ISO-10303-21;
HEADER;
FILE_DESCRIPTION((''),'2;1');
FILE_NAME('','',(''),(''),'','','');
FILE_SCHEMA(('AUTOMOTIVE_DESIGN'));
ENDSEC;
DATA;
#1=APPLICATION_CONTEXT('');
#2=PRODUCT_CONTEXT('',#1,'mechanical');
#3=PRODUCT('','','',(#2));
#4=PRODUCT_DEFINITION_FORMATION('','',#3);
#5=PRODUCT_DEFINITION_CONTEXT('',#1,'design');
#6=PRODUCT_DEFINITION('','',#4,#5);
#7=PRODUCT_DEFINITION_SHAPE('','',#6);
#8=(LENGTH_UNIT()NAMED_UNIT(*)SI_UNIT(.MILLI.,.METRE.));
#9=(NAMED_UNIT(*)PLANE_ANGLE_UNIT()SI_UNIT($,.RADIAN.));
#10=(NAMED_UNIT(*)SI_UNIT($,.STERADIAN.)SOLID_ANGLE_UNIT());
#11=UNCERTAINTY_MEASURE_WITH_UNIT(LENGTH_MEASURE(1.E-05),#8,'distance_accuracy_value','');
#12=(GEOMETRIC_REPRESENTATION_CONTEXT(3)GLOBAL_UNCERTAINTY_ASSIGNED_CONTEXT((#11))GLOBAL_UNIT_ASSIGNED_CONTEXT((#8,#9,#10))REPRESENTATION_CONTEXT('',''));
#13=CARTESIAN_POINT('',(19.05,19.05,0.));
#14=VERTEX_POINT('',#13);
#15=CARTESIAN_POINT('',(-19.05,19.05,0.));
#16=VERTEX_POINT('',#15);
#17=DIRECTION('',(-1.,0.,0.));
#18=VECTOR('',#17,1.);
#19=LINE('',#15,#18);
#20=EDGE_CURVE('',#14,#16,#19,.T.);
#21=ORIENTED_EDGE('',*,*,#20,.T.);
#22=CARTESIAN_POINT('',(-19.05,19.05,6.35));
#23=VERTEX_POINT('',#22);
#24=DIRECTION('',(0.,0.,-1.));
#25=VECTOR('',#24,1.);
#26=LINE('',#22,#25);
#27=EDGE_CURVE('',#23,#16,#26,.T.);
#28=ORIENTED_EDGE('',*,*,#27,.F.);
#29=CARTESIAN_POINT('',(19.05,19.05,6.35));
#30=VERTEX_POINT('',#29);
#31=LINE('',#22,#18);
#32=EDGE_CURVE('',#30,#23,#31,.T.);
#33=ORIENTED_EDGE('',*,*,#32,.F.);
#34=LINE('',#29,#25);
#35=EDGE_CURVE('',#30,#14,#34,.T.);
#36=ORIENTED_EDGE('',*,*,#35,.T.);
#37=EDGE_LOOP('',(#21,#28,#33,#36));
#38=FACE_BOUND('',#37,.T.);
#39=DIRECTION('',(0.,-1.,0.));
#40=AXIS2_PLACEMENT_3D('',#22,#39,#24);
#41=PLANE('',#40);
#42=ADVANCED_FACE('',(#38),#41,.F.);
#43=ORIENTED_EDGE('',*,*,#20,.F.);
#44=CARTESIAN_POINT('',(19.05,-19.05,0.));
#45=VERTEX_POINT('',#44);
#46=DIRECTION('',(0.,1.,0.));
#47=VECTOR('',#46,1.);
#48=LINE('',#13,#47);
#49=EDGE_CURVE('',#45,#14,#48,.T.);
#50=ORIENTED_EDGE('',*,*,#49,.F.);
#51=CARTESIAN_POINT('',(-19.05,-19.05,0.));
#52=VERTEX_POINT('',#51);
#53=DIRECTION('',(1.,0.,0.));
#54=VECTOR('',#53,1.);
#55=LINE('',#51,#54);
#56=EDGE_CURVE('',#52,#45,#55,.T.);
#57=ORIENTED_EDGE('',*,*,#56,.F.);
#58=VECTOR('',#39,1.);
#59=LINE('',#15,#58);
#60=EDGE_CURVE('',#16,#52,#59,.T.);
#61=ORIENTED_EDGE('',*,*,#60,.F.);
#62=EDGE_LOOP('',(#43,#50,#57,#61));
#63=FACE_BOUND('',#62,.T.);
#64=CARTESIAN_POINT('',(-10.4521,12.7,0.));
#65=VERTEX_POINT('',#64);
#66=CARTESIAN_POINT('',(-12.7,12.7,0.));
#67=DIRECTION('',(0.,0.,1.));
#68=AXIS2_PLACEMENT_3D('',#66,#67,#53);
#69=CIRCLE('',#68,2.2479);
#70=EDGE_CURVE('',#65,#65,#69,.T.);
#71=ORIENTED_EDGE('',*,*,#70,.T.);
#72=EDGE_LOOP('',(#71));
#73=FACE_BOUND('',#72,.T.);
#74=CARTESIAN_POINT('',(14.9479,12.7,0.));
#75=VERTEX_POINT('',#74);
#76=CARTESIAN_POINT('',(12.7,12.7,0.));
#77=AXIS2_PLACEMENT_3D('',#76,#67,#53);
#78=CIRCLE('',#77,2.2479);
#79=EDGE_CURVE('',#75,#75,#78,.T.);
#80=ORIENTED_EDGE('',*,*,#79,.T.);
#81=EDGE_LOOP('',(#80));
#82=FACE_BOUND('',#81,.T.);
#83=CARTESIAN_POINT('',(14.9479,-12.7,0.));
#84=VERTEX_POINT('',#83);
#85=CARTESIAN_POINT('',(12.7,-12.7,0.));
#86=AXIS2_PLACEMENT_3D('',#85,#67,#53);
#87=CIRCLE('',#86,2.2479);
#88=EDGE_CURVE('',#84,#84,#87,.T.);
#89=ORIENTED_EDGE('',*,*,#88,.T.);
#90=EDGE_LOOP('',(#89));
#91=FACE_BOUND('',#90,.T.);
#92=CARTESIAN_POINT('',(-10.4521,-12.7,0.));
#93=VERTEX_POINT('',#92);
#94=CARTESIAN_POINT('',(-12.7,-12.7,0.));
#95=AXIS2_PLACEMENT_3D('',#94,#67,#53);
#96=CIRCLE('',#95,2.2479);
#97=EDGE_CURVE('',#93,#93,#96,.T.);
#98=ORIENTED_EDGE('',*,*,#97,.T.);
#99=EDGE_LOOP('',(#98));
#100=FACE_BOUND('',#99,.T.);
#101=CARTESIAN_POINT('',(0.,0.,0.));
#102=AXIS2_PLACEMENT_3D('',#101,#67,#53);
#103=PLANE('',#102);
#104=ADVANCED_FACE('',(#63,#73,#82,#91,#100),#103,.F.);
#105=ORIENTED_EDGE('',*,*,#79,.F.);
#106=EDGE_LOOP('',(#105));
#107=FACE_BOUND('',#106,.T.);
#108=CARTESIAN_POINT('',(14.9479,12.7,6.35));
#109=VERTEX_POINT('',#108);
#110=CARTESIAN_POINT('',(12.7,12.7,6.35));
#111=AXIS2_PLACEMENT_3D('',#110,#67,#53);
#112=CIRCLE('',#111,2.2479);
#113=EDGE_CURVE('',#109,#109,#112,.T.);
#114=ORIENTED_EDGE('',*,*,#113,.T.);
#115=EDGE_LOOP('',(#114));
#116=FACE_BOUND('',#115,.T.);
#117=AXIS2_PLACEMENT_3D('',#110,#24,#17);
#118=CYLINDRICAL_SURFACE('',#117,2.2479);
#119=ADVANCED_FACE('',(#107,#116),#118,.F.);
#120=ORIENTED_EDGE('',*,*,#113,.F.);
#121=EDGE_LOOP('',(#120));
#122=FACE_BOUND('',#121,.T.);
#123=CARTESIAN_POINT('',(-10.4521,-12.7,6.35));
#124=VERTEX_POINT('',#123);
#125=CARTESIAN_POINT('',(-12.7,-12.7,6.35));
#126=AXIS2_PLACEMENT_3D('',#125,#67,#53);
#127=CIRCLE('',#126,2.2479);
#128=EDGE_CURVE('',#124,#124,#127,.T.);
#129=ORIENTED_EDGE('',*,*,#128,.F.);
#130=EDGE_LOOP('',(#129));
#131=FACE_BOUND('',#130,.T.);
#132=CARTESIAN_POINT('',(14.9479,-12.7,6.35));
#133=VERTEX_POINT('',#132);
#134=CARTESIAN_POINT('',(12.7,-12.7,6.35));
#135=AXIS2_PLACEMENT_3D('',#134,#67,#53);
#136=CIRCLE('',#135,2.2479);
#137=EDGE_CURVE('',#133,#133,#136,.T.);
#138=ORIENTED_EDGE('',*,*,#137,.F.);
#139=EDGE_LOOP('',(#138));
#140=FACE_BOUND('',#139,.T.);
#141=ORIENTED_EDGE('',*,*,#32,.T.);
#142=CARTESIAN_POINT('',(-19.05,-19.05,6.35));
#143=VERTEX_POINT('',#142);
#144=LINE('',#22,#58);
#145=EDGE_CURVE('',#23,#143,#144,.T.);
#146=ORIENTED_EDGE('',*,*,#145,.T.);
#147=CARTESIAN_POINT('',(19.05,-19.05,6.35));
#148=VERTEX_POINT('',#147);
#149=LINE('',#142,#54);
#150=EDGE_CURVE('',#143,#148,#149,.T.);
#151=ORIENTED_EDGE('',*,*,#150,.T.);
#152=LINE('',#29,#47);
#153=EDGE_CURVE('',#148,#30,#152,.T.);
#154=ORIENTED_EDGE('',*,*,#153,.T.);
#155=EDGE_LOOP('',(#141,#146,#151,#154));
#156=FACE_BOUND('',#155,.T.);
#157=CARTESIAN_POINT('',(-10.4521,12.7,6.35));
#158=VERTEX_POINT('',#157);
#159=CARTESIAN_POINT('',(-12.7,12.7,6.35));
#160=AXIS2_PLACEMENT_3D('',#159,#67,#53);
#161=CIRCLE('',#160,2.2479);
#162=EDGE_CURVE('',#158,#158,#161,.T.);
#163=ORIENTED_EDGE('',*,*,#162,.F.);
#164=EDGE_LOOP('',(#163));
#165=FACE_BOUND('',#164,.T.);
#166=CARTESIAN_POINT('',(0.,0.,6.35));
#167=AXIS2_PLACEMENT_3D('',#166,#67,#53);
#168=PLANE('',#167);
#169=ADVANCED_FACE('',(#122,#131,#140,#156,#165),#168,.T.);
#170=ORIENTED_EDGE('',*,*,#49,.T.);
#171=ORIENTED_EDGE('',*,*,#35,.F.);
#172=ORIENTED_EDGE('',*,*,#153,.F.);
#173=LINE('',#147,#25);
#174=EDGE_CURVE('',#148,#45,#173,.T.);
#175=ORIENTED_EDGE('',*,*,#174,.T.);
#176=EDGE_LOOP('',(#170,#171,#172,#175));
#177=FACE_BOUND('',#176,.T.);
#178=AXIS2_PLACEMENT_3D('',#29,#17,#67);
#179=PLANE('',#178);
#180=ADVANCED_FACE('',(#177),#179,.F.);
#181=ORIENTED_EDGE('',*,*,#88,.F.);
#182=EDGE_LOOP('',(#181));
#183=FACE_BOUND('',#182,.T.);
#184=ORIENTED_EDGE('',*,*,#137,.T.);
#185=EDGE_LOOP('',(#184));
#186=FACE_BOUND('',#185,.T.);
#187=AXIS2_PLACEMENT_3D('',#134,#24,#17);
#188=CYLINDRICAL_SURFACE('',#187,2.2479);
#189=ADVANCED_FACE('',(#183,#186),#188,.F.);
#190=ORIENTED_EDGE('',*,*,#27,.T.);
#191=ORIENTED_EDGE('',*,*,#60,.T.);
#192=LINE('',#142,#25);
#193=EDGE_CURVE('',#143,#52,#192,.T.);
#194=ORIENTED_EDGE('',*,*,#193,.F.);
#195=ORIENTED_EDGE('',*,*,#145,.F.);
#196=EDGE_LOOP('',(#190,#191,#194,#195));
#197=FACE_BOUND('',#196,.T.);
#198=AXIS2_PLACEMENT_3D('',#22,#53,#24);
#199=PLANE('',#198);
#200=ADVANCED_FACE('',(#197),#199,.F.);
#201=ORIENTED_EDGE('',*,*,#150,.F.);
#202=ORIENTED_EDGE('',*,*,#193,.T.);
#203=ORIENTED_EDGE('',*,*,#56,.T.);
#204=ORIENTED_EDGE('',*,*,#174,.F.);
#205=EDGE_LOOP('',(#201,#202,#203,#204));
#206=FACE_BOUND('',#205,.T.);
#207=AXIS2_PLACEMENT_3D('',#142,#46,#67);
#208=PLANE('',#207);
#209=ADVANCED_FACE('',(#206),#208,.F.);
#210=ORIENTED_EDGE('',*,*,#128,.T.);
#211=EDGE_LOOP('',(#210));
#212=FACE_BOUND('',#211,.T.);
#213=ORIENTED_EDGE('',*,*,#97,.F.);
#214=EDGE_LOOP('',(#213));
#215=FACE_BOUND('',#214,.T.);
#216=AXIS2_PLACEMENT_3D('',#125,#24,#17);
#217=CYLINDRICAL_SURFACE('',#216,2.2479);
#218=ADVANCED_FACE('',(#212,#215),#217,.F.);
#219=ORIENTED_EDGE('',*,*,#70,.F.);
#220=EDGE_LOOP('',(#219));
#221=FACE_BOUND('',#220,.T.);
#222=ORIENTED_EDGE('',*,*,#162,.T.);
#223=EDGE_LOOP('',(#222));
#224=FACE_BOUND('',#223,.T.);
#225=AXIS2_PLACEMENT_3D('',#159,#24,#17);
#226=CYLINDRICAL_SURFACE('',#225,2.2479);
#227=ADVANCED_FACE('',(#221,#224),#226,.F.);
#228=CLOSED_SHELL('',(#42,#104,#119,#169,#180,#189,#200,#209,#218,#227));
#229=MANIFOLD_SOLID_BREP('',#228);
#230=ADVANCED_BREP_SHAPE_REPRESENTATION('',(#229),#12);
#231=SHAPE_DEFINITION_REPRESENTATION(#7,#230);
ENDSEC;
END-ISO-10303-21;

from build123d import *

# Parameters (mm, degrees)
SKETCH1_W           = 38.1
SKETCH1_H           = 38.1
SKETCH1_R           = 2.2479
BOSS_EXTRUDE1_DEPTH = 6.35


with BuildPart() as part:
    # Sketch1 → Boss-Extrude1 (new body)
    with BuildSketch(Plane.XY):
        Rectangle(SKETCH1_W, SKETCH1_H)
        with Locations((-12.7, 12.7)):
            Circle(SKETCH1_R, mode=Mode.SUBTRACT)
        with Locations((12.7, 12.7)):
            Circle(SKETCH1_R, mode=Mode.SUBTRACT)
        with Locations((12.7, -12.7)):
            Circle(SKETCH1_R, mode=Mode.SUBTRACT)
        with Locations((-12.7, -12.7)):
            Circle(SKETCH1_R, mode=Mode.SUBTRACT)
    extrude(amount=BOSS_EXTRUDE1_DEPTH)


solid = part.part
